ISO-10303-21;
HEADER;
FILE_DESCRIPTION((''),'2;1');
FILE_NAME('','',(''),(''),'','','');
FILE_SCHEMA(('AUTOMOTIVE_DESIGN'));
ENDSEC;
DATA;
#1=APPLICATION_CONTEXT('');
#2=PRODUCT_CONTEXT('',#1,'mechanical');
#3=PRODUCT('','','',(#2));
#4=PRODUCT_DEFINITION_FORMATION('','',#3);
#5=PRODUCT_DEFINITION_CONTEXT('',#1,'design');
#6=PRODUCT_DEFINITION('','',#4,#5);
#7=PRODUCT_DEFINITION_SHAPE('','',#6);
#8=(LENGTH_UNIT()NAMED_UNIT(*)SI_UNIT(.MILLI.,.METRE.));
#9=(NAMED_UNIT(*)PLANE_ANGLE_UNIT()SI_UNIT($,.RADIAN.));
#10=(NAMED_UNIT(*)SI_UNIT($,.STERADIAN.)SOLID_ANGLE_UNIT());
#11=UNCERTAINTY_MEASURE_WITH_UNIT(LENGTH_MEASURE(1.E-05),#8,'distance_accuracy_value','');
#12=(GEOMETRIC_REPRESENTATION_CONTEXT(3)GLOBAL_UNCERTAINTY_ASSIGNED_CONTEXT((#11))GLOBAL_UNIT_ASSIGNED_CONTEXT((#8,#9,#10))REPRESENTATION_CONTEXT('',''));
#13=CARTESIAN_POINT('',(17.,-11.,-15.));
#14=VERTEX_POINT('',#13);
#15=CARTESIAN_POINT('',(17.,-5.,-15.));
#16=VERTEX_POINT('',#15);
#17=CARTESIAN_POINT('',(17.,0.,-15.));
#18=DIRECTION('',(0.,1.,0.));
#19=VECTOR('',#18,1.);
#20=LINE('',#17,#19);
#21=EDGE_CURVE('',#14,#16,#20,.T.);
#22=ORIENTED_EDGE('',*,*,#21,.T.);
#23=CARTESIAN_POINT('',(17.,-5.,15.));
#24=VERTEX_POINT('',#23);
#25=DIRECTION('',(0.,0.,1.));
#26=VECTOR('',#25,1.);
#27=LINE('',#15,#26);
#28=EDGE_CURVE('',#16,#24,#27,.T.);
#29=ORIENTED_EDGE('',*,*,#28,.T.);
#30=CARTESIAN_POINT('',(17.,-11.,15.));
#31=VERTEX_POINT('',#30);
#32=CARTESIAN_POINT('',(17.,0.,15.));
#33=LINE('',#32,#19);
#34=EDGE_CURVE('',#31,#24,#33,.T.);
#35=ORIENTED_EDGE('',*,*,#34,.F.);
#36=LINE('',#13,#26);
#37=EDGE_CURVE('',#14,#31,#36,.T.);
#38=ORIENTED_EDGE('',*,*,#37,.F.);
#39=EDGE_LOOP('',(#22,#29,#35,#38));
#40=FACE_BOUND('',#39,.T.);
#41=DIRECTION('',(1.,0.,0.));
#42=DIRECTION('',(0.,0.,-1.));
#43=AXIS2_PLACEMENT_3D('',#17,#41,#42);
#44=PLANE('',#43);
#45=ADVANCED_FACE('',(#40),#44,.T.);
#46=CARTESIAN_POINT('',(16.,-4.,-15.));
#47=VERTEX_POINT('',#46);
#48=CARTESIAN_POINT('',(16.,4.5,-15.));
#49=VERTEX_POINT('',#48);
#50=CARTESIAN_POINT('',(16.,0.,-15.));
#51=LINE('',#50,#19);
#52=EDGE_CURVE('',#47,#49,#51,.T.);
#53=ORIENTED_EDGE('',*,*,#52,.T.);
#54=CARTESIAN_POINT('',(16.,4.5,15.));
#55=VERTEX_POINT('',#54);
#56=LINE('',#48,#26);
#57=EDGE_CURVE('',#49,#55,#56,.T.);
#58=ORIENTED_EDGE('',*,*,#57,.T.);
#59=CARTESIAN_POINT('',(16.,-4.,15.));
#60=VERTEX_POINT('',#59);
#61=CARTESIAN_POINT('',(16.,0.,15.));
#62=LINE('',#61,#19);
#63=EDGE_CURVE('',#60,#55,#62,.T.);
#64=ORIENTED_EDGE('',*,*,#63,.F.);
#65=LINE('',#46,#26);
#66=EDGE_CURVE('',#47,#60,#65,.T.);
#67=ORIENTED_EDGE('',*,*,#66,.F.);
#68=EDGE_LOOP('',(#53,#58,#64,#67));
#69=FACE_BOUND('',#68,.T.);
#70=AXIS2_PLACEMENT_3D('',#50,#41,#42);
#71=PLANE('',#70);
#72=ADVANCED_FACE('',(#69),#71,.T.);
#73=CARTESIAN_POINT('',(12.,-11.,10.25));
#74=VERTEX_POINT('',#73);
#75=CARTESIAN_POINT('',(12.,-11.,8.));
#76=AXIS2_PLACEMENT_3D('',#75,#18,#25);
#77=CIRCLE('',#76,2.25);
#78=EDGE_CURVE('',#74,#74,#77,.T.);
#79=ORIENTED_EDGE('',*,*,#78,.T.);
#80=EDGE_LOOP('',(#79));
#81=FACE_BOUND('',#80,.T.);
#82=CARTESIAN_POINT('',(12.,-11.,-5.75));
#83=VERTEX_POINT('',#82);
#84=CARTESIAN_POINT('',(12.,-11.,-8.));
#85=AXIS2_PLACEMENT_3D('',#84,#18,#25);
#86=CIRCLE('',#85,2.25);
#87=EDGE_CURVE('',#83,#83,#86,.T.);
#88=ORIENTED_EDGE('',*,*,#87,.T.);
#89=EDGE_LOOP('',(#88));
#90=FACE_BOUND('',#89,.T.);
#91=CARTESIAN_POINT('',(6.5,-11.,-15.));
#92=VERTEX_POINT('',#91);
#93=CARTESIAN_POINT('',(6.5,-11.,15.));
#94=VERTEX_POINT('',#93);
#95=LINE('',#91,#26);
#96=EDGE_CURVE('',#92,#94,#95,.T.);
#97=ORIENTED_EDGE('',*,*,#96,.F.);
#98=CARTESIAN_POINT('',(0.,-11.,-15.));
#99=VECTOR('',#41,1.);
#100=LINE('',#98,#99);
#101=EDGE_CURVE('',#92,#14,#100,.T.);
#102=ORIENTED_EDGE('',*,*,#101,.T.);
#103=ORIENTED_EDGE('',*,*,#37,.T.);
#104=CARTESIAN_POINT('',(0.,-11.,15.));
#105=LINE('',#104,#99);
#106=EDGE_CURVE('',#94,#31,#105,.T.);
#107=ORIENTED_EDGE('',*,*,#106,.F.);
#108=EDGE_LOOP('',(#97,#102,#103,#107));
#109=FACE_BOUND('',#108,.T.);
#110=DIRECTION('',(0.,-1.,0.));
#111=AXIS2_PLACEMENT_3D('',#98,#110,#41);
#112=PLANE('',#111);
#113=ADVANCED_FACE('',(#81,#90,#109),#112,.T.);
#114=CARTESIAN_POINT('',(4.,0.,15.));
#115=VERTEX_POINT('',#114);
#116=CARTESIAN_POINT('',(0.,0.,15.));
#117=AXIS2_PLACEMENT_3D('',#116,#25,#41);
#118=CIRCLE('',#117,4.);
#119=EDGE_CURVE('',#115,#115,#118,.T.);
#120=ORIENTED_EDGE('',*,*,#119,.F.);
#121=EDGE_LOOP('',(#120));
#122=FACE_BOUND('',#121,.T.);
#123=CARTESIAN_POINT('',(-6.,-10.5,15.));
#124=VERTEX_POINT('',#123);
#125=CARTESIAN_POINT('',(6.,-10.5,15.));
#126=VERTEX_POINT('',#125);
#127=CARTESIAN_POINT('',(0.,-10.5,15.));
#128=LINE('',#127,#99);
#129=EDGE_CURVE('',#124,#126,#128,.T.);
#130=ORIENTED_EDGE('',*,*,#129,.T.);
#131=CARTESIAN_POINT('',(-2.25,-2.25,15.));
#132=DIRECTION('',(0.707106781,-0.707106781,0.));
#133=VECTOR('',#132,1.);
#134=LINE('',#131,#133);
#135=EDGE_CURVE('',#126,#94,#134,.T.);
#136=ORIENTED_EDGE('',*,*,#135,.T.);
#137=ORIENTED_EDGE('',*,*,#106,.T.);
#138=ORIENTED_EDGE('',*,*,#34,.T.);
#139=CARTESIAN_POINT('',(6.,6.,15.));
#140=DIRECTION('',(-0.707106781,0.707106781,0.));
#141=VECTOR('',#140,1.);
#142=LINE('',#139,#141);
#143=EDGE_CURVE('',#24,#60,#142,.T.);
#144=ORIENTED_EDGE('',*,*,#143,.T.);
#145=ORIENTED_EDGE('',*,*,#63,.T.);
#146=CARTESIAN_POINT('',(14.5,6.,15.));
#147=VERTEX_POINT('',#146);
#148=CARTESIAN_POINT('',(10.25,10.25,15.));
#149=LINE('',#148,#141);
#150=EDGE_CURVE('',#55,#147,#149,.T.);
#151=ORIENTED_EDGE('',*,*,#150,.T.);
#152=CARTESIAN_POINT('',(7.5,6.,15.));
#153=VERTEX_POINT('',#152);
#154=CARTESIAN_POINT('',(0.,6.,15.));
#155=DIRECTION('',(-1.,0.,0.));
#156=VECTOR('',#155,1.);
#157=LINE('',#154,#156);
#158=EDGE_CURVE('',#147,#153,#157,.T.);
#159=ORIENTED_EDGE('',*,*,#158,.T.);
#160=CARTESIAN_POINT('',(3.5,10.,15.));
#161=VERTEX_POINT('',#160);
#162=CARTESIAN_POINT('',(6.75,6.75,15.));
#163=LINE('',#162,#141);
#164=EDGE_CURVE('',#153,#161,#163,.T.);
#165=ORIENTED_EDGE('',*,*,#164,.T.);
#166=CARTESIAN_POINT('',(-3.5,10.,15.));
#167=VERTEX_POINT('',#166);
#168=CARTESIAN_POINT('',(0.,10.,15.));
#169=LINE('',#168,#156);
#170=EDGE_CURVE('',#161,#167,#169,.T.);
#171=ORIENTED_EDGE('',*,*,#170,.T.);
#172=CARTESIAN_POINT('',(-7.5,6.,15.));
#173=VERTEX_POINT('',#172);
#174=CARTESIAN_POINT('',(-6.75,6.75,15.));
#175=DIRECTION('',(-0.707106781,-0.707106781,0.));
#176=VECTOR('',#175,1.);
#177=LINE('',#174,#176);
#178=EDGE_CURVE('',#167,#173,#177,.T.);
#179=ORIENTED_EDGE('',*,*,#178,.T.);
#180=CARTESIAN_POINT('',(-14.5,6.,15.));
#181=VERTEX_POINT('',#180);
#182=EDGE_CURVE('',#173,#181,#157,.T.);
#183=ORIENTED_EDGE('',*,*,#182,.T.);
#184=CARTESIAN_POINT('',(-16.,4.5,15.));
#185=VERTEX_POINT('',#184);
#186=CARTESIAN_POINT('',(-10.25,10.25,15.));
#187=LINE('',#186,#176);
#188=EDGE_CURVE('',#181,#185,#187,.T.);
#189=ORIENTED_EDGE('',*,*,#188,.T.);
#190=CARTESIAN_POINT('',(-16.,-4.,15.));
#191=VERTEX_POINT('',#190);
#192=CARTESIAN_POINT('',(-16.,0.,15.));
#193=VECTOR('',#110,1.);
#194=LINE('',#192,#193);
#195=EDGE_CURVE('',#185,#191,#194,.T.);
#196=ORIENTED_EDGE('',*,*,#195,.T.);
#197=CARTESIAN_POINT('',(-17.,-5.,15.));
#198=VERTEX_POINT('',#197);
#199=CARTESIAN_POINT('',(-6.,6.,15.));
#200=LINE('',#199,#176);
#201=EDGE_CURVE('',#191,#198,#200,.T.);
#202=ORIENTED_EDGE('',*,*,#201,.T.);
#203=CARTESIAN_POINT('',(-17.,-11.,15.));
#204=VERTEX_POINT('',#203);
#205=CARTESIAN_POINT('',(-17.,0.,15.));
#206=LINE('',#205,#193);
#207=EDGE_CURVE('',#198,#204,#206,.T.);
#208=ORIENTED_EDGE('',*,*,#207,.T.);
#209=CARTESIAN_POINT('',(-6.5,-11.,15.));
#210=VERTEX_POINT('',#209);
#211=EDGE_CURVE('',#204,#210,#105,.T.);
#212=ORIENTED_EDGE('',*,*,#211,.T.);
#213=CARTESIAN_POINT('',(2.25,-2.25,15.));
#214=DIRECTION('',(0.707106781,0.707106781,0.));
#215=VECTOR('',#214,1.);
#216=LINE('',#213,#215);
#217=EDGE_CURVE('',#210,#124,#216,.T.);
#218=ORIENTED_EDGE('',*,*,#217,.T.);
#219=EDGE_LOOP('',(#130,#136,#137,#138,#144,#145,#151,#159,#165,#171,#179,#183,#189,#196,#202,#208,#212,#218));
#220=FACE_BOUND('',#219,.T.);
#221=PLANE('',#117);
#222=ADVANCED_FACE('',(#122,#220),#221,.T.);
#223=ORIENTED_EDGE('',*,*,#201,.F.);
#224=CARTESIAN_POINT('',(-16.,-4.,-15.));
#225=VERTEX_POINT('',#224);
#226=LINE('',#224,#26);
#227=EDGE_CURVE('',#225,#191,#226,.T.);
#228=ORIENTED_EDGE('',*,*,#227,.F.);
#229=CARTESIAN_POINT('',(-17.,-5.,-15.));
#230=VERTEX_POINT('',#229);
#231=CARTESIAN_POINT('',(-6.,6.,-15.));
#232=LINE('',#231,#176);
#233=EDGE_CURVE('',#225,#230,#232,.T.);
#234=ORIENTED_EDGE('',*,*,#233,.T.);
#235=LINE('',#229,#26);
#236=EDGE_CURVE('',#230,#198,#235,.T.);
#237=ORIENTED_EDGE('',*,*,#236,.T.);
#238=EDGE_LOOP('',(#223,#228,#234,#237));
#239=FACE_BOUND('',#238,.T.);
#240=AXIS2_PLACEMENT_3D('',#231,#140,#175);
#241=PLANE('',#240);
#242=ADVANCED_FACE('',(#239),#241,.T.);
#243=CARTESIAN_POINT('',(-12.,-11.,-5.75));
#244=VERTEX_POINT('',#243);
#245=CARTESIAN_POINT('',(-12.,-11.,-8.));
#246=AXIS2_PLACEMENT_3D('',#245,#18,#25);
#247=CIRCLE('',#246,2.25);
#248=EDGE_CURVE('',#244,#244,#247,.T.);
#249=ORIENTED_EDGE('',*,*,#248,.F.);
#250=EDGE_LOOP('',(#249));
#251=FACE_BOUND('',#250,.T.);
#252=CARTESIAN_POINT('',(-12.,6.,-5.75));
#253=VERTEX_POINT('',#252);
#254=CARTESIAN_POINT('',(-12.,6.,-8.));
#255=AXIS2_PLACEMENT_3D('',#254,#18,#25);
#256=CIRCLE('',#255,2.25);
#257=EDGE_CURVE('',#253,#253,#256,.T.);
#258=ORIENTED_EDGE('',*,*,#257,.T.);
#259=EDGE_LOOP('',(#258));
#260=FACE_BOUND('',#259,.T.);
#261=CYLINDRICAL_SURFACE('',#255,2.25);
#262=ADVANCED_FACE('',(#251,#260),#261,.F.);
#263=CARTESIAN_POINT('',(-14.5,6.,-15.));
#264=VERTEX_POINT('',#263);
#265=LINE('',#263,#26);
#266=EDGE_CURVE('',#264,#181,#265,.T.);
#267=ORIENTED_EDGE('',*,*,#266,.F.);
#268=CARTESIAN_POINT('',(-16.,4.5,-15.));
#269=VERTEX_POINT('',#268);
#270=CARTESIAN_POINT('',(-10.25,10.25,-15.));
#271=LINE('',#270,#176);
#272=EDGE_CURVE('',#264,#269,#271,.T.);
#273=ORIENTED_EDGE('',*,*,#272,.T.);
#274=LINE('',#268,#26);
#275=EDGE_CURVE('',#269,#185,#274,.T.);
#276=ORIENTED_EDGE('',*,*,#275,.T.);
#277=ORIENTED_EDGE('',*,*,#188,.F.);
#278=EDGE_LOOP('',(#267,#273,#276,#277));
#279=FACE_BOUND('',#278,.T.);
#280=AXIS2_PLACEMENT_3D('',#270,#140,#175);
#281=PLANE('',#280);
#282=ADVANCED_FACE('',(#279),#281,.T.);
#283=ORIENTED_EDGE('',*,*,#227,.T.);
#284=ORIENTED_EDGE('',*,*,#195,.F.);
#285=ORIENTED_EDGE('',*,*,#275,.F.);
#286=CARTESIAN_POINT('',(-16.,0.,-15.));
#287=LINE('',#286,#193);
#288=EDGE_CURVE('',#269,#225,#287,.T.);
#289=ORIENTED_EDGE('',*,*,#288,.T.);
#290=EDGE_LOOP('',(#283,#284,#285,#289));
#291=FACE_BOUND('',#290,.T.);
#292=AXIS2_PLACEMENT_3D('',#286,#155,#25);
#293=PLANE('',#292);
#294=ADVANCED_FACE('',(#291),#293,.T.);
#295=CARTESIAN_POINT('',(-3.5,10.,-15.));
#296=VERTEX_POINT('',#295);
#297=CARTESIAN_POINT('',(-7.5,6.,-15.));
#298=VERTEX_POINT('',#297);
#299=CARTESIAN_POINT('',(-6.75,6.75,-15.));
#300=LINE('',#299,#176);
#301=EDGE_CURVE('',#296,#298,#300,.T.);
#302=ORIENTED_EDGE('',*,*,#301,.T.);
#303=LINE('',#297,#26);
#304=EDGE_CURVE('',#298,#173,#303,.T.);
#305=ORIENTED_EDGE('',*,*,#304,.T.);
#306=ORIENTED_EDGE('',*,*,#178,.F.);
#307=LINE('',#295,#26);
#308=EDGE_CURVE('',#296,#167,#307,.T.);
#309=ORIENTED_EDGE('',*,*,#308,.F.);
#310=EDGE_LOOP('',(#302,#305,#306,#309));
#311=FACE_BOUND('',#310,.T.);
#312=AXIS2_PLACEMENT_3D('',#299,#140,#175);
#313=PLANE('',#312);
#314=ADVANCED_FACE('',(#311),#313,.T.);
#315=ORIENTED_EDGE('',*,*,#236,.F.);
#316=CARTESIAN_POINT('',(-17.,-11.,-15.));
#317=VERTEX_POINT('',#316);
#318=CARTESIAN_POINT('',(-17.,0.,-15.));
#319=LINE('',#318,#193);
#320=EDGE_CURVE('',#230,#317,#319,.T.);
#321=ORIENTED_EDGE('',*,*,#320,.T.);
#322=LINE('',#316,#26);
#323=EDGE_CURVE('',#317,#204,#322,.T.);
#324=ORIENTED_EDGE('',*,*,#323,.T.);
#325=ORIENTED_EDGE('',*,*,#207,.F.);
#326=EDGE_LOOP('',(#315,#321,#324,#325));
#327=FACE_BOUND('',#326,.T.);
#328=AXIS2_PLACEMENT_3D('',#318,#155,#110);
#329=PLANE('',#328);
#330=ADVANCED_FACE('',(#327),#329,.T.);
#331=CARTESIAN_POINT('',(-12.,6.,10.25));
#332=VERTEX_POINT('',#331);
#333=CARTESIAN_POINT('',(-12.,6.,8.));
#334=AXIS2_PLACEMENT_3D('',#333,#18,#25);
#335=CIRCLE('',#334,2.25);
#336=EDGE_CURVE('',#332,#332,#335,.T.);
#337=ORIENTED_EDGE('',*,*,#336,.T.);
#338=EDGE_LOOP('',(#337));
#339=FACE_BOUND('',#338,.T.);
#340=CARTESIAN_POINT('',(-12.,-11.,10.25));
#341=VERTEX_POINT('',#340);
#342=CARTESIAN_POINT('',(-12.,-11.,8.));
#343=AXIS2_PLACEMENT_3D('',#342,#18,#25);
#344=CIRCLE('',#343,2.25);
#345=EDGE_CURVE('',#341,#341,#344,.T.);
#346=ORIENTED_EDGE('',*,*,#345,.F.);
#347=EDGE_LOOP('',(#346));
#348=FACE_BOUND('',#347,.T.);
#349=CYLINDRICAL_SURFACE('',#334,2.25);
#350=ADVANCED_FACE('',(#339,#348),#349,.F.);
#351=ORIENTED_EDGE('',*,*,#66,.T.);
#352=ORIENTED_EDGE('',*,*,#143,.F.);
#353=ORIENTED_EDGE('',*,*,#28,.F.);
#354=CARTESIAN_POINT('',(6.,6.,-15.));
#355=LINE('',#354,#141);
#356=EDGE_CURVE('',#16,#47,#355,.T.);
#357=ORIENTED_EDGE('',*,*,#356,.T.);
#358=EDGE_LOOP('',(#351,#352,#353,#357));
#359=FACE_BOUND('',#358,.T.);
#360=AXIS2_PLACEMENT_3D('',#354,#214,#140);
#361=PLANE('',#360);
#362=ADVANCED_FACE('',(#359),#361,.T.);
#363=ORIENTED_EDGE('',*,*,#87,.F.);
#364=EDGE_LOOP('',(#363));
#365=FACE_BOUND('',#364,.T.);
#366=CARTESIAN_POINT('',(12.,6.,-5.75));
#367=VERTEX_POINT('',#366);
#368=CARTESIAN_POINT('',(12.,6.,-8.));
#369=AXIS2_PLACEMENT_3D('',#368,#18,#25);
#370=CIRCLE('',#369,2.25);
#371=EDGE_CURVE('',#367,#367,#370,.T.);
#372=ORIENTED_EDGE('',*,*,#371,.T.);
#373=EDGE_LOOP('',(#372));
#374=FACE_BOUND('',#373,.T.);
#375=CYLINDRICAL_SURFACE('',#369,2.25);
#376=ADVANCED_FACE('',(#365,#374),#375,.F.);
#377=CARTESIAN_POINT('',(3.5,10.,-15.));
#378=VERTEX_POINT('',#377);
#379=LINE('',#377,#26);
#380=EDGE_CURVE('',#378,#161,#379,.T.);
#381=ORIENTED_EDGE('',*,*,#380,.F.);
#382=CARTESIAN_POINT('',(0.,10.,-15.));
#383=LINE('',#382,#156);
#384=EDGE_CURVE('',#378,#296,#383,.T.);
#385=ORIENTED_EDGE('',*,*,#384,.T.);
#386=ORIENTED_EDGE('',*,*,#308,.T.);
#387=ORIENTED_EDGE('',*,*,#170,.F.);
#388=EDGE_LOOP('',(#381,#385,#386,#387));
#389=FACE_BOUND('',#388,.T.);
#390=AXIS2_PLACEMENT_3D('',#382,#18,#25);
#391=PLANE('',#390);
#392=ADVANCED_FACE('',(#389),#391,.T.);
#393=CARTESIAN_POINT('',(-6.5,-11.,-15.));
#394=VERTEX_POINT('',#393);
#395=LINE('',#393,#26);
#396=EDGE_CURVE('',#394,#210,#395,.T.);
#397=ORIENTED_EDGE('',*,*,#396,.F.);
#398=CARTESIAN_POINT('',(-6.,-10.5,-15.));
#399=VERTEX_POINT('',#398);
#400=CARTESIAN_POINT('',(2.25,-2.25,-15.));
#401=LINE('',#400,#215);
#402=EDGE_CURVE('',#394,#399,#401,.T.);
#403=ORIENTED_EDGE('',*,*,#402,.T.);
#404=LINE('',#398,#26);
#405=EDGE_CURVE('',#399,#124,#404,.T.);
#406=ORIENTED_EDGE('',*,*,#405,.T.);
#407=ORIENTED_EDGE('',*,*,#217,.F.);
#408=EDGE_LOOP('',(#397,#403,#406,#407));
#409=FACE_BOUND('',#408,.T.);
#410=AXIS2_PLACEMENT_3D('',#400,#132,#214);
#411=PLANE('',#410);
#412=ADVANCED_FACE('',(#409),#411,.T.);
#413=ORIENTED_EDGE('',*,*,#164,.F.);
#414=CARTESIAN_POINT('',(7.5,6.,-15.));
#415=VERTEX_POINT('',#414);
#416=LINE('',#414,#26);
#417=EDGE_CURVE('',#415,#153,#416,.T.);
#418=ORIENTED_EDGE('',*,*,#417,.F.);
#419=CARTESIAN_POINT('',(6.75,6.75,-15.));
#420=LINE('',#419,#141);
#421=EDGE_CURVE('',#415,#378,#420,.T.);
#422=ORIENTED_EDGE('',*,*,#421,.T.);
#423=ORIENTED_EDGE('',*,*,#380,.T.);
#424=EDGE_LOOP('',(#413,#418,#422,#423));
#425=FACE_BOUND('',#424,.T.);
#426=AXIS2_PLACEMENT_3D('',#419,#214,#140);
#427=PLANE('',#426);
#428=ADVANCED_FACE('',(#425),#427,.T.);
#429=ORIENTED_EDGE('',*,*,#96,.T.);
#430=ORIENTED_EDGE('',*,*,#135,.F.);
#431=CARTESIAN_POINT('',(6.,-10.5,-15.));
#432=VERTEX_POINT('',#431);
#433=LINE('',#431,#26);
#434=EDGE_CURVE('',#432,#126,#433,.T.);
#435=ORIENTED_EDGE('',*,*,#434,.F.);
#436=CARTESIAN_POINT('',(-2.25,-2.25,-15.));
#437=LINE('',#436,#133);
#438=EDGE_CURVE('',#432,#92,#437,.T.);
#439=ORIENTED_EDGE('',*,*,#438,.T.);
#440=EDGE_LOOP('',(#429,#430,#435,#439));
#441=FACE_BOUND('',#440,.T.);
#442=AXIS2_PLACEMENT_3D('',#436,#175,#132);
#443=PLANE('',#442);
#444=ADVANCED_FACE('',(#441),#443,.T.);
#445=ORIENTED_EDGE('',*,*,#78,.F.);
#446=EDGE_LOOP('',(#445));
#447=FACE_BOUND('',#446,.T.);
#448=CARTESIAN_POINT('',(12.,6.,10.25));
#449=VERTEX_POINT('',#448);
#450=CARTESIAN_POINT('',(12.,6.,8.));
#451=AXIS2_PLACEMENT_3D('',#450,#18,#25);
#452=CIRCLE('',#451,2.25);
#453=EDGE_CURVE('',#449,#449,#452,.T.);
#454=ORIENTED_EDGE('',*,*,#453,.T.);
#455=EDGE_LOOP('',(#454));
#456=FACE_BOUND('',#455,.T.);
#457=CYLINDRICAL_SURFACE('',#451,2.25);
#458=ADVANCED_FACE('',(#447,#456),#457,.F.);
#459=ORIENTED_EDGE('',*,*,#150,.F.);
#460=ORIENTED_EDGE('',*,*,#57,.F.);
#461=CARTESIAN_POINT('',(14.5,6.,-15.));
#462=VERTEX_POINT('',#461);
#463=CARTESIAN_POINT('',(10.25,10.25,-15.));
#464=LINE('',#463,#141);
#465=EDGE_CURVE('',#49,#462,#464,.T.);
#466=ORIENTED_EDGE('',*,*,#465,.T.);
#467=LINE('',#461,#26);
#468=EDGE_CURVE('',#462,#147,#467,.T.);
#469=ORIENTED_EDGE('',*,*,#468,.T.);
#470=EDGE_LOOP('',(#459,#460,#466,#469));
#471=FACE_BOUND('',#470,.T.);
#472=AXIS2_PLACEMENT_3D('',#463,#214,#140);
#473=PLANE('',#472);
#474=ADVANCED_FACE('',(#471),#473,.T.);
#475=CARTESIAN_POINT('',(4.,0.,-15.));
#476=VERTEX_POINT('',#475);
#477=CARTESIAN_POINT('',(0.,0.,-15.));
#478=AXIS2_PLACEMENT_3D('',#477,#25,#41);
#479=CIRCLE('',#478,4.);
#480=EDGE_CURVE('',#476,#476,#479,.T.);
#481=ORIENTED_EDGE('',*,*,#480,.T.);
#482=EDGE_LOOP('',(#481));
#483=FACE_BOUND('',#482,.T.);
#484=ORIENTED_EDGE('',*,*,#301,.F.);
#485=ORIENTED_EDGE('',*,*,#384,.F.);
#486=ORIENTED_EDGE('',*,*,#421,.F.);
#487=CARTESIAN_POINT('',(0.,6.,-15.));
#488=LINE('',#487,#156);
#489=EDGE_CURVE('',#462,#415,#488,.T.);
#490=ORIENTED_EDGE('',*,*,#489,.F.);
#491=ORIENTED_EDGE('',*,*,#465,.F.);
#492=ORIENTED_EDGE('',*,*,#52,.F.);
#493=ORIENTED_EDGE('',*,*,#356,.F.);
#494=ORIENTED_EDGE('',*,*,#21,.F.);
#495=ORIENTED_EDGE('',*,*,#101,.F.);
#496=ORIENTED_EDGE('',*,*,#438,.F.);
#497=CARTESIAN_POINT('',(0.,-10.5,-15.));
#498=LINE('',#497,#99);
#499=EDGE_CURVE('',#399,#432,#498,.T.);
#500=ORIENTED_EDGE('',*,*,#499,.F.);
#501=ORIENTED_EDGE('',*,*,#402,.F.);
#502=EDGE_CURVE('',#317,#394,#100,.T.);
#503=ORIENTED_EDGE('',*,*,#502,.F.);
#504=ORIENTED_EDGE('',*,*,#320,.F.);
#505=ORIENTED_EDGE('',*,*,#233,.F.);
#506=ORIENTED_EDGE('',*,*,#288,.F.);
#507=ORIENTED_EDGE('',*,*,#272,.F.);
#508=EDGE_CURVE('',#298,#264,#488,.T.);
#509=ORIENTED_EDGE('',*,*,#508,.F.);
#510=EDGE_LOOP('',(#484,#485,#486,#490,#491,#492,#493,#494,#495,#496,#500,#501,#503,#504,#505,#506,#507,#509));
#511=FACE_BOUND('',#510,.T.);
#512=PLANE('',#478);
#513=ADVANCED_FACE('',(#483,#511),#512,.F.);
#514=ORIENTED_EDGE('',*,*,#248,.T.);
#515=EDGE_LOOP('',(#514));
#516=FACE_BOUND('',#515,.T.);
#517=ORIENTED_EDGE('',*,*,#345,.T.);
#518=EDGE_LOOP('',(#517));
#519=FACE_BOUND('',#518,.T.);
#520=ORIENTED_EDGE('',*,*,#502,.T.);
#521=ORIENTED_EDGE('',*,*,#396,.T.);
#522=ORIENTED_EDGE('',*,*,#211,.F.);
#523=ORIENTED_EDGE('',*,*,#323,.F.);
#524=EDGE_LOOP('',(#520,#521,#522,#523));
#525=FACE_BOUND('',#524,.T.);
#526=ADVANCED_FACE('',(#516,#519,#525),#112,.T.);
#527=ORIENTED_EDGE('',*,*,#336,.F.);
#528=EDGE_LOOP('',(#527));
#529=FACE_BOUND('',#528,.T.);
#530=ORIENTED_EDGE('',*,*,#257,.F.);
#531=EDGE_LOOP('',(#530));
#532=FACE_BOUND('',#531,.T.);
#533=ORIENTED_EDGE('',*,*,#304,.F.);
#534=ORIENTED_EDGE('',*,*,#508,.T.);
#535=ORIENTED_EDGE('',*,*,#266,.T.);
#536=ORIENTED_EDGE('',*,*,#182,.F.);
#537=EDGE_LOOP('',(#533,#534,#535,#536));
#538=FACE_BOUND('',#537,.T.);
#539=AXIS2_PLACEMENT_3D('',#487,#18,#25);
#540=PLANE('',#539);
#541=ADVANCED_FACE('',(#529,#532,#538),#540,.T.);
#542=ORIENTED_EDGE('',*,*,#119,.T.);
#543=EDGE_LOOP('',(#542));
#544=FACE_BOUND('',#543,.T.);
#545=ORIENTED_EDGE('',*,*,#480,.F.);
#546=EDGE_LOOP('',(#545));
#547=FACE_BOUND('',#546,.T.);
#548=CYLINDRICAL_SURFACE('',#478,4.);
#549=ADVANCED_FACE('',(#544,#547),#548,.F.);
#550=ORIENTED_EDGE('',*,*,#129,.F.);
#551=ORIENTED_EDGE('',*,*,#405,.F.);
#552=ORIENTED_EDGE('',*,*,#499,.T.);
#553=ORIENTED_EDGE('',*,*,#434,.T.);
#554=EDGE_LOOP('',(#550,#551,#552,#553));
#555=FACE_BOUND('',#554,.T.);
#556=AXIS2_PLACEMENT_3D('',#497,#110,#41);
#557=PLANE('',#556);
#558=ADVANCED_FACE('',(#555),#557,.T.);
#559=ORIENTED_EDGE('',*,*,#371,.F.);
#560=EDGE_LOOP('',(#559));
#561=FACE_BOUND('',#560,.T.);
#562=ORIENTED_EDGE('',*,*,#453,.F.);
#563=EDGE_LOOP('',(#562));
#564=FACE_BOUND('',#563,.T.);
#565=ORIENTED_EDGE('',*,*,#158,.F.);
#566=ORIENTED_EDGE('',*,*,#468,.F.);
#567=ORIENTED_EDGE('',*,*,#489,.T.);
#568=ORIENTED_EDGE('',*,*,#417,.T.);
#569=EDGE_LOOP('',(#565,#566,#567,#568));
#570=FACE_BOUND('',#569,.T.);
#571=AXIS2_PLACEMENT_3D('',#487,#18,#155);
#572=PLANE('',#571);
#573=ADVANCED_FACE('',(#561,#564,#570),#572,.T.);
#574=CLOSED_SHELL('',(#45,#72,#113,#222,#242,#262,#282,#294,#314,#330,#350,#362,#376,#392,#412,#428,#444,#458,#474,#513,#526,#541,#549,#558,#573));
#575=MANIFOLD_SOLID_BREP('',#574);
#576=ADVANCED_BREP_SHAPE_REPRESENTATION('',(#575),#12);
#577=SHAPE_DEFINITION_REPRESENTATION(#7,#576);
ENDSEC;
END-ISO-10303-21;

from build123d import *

# Parameters (mm, degrees)
BOSS_EXTRU_1_DEPTH      = 15
BOSS_EXTRU_1_DEPTH_BACK = 15
ESQUISSE1_R             = 4
D_GAGEMENT_M41_D        = 4.5


with BuildPart() as part:
    # Esquisse1 → Boss.-Extru.1 (new, two sides: drawn at the far end of the back side and taken through both)
    with BuildSketch(Plane.XY.offset(-BOSS_EXTRU_1_DEPTH_BACK)):
        Polygon((-17, -5), (-17, -11), (-6.5, -11), (-6, -10.5), (6, -10.5), (6.5, -11), (17, -11), (17, -5), (16, -4), (16, 4.5), (14.5, 6), (7.5, 6), (3.5, 10), (-3.5, 10), (-7.5, 6), (-14.5, 6), (-16, 4.5), (-16, -4), align=None)
        Circle(ESQUISSE1_R, mode=Mode.SUBTRACT)
    extrude(amount=BOSS_EXTRU_1_DEPTH + BOSS_EXTRU_1_DEPTH_BACK)

    # Dégagement M41 (through all)
    with Locations(Plane(origin=(0, 6, 0), x_dir=(1, 0, 0), z_dir=(0, 1, 0))):
        with Locations((-12, 8), (12, 8), (12, -8), (-12, -8)):
            Hole(D_GAGEMENT_M41_D / 2)


solid = part.part
